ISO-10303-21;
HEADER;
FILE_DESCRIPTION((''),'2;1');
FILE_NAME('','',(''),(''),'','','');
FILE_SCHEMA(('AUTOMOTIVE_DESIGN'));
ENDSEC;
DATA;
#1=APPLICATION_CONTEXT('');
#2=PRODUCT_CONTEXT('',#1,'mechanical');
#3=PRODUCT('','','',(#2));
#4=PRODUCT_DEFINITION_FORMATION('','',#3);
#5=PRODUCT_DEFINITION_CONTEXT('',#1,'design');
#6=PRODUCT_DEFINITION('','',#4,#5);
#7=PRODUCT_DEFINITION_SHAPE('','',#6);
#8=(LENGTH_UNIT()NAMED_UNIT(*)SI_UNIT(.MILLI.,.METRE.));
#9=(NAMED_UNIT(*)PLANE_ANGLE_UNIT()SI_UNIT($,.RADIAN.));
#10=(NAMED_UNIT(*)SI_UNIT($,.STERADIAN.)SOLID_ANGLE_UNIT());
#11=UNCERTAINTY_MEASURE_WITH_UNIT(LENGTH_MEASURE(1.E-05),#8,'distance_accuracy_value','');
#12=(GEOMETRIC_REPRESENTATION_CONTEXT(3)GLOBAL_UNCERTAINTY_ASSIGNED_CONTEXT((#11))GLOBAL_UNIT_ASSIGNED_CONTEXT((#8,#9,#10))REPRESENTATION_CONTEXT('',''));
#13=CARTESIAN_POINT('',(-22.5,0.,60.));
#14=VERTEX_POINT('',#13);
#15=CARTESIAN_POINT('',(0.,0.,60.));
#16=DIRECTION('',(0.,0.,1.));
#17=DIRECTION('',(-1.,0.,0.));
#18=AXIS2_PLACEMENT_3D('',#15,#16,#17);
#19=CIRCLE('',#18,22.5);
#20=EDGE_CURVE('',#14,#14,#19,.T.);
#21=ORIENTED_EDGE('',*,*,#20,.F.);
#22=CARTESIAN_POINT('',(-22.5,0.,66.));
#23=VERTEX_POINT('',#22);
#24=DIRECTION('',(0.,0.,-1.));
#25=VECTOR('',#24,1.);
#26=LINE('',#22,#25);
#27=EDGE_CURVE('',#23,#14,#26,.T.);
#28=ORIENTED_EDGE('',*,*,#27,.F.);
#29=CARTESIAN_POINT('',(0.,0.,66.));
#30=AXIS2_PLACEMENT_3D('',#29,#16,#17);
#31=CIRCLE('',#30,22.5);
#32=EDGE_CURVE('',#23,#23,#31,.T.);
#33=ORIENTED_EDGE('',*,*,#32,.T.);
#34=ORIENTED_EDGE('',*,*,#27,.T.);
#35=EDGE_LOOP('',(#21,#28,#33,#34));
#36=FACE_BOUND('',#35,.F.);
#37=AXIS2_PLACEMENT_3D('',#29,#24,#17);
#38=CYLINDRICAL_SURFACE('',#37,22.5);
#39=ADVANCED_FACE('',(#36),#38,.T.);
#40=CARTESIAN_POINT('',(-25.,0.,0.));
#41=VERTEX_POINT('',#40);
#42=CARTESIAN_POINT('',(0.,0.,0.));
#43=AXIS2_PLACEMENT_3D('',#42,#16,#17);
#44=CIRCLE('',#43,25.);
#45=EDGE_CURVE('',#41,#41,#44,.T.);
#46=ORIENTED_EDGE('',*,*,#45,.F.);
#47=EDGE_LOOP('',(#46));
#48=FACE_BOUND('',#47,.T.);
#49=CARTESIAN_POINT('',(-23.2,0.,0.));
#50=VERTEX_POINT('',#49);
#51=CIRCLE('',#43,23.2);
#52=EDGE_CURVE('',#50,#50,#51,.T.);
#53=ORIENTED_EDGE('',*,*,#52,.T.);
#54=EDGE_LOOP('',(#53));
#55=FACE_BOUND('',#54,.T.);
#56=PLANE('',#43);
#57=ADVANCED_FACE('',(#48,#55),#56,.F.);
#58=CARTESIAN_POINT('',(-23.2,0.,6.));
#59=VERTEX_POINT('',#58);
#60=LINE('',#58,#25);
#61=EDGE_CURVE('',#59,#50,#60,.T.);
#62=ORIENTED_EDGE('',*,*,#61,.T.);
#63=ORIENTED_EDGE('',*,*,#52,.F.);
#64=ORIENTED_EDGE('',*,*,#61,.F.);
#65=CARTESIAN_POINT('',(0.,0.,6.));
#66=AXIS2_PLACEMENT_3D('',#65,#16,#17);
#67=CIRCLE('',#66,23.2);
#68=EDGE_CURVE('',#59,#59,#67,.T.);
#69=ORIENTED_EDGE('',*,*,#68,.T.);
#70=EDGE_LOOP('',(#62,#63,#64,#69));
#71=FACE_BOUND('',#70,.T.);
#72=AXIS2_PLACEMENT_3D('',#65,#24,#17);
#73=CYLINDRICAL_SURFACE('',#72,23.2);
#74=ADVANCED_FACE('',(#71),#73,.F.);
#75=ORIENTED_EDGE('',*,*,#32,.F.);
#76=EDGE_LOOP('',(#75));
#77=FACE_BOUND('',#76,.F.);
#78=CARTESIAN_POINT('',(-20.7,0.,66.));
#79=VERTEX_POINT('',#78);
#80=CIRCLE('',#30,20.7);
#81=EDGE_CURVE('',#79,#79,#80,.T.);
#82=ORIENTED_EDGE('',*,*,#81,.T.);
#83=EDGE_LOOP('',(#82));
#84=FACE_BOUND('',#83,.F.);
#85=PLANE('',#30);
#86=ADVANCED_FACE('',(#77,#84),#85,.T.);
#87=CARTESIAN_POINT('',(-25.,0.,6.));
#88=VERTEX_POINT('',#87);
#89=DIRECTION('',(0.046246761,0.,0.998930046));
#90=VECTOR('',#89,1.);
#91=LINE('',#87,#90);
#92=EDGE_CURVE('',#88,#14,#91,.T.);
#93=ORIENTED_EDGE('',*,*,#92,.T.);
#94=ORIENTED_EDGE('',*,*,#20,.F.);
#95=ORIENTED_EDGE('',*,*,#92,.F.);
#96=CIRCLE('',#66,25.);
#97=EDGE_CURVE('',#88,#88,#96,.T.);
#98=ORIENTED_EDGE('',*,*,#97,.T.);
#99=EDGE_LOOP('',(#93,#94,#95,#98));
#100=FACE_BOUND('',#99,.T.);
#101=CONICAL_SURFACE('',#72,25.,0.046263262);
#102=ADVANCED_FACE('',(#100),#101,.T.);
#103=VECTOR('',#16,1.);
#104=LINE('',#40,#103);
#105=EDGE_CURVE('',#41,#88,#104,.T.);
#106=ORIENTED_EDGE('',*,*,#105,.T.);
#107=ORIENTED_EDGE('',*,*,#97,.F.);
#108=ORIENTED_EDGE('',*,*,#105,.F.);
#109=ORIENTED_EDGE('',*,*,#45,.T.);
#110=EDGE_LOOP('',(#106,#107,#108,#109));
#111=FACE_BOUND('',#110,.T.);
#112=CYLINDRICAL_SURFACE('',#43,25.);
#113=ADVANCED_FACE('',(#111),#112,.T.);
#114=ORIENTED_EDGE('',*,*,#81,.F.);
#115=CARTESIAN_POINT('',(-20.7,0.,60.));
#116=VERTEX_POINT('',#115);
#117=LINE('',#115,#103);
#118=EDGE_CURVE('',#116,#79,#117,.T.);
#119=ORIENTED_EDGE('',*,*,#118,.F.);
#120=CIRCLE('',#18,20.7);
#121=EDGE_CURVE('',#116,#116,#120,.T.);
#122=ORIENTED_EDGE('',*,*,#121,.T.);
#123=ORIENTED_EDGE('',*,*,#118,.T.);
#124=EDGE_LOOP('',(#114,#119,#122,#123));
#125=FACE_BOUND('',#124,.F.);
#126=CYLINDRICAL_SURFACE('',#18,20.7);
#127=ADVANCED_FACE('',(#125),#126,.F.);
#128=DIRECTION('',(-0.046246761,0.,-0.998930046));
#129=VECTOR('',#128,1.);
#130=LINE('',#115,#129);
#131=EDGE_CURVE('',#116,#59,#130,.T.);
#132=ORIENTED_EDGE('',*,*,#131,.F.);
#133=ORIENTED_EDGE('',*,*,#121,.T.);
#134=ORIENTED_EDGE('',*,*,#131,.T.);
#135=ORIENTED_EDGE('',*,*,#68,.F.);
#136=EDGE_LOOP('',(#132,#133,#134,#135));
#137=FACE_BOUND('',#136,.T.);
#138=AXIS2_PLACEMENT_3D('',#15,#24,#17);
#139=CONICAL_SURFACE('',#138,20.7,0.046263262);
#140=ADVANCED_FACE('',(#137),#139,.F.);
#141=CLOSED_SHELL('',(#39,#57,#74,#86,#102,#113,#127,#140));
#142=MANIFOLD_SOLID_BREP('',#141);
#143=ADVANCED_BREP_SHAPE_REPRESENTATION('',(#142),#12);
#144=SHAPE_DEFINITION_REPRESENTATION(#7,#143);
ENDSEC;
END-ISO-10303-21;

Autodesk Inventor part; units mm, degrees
ref_plane "YZ Plane" through (0, 0, 0) normal (1, 0, 0) x (0, 1, 0)
ref_plane "XZ Plane" through (0, 0, 0) normal (0, 1, 0) x (-1, 0, 0)
ref_plane "XY Plane" through (0, 0, 0) normal (0, 0, 1) x (1, 0, 0)
sketch "Эскиз4" plane through (0, 0, 0) normal (0, 1, 0) x (-1, 0, 0)
  line L0 (20.7, 60) -> (23.2, 6)
  line L1 (25, 6) -> (22.5, 60)
  line L2 (0, -13.2) -> (0, 79.2) construction
  line L3 (25, 6) -> (23.2, 6) construction
  line L4 (23.2, 6) -> (23.2, 0)
  line L5 (23.2, 0) -> (25, 0)
  line L6 (25, 0) -> (25, 6)
  line L7 (22.5, 60) -> (20.7, 60) construction
  line L8 (20.7, 60) -> (20.7, 66)
  line L9 (20.7, 66) -> (22.5, 66)
  line L10 (22.5, 66) -> (22.5, 60)
  line L11 (25.86, 0) -> (19.84, 0) construction
  dimension "d11" = 25
  dimension "d13" = 22.5
  dimension "d16" = 6
  dimension "d17" = 1.8
  dimension "d18" = 66
revolve "Вращение1" add sketch "Эскиз4" angle 360 about axis through (0, 0, -10) along (0, 0, 1)
properties part number "Конусный барабан катушки"
